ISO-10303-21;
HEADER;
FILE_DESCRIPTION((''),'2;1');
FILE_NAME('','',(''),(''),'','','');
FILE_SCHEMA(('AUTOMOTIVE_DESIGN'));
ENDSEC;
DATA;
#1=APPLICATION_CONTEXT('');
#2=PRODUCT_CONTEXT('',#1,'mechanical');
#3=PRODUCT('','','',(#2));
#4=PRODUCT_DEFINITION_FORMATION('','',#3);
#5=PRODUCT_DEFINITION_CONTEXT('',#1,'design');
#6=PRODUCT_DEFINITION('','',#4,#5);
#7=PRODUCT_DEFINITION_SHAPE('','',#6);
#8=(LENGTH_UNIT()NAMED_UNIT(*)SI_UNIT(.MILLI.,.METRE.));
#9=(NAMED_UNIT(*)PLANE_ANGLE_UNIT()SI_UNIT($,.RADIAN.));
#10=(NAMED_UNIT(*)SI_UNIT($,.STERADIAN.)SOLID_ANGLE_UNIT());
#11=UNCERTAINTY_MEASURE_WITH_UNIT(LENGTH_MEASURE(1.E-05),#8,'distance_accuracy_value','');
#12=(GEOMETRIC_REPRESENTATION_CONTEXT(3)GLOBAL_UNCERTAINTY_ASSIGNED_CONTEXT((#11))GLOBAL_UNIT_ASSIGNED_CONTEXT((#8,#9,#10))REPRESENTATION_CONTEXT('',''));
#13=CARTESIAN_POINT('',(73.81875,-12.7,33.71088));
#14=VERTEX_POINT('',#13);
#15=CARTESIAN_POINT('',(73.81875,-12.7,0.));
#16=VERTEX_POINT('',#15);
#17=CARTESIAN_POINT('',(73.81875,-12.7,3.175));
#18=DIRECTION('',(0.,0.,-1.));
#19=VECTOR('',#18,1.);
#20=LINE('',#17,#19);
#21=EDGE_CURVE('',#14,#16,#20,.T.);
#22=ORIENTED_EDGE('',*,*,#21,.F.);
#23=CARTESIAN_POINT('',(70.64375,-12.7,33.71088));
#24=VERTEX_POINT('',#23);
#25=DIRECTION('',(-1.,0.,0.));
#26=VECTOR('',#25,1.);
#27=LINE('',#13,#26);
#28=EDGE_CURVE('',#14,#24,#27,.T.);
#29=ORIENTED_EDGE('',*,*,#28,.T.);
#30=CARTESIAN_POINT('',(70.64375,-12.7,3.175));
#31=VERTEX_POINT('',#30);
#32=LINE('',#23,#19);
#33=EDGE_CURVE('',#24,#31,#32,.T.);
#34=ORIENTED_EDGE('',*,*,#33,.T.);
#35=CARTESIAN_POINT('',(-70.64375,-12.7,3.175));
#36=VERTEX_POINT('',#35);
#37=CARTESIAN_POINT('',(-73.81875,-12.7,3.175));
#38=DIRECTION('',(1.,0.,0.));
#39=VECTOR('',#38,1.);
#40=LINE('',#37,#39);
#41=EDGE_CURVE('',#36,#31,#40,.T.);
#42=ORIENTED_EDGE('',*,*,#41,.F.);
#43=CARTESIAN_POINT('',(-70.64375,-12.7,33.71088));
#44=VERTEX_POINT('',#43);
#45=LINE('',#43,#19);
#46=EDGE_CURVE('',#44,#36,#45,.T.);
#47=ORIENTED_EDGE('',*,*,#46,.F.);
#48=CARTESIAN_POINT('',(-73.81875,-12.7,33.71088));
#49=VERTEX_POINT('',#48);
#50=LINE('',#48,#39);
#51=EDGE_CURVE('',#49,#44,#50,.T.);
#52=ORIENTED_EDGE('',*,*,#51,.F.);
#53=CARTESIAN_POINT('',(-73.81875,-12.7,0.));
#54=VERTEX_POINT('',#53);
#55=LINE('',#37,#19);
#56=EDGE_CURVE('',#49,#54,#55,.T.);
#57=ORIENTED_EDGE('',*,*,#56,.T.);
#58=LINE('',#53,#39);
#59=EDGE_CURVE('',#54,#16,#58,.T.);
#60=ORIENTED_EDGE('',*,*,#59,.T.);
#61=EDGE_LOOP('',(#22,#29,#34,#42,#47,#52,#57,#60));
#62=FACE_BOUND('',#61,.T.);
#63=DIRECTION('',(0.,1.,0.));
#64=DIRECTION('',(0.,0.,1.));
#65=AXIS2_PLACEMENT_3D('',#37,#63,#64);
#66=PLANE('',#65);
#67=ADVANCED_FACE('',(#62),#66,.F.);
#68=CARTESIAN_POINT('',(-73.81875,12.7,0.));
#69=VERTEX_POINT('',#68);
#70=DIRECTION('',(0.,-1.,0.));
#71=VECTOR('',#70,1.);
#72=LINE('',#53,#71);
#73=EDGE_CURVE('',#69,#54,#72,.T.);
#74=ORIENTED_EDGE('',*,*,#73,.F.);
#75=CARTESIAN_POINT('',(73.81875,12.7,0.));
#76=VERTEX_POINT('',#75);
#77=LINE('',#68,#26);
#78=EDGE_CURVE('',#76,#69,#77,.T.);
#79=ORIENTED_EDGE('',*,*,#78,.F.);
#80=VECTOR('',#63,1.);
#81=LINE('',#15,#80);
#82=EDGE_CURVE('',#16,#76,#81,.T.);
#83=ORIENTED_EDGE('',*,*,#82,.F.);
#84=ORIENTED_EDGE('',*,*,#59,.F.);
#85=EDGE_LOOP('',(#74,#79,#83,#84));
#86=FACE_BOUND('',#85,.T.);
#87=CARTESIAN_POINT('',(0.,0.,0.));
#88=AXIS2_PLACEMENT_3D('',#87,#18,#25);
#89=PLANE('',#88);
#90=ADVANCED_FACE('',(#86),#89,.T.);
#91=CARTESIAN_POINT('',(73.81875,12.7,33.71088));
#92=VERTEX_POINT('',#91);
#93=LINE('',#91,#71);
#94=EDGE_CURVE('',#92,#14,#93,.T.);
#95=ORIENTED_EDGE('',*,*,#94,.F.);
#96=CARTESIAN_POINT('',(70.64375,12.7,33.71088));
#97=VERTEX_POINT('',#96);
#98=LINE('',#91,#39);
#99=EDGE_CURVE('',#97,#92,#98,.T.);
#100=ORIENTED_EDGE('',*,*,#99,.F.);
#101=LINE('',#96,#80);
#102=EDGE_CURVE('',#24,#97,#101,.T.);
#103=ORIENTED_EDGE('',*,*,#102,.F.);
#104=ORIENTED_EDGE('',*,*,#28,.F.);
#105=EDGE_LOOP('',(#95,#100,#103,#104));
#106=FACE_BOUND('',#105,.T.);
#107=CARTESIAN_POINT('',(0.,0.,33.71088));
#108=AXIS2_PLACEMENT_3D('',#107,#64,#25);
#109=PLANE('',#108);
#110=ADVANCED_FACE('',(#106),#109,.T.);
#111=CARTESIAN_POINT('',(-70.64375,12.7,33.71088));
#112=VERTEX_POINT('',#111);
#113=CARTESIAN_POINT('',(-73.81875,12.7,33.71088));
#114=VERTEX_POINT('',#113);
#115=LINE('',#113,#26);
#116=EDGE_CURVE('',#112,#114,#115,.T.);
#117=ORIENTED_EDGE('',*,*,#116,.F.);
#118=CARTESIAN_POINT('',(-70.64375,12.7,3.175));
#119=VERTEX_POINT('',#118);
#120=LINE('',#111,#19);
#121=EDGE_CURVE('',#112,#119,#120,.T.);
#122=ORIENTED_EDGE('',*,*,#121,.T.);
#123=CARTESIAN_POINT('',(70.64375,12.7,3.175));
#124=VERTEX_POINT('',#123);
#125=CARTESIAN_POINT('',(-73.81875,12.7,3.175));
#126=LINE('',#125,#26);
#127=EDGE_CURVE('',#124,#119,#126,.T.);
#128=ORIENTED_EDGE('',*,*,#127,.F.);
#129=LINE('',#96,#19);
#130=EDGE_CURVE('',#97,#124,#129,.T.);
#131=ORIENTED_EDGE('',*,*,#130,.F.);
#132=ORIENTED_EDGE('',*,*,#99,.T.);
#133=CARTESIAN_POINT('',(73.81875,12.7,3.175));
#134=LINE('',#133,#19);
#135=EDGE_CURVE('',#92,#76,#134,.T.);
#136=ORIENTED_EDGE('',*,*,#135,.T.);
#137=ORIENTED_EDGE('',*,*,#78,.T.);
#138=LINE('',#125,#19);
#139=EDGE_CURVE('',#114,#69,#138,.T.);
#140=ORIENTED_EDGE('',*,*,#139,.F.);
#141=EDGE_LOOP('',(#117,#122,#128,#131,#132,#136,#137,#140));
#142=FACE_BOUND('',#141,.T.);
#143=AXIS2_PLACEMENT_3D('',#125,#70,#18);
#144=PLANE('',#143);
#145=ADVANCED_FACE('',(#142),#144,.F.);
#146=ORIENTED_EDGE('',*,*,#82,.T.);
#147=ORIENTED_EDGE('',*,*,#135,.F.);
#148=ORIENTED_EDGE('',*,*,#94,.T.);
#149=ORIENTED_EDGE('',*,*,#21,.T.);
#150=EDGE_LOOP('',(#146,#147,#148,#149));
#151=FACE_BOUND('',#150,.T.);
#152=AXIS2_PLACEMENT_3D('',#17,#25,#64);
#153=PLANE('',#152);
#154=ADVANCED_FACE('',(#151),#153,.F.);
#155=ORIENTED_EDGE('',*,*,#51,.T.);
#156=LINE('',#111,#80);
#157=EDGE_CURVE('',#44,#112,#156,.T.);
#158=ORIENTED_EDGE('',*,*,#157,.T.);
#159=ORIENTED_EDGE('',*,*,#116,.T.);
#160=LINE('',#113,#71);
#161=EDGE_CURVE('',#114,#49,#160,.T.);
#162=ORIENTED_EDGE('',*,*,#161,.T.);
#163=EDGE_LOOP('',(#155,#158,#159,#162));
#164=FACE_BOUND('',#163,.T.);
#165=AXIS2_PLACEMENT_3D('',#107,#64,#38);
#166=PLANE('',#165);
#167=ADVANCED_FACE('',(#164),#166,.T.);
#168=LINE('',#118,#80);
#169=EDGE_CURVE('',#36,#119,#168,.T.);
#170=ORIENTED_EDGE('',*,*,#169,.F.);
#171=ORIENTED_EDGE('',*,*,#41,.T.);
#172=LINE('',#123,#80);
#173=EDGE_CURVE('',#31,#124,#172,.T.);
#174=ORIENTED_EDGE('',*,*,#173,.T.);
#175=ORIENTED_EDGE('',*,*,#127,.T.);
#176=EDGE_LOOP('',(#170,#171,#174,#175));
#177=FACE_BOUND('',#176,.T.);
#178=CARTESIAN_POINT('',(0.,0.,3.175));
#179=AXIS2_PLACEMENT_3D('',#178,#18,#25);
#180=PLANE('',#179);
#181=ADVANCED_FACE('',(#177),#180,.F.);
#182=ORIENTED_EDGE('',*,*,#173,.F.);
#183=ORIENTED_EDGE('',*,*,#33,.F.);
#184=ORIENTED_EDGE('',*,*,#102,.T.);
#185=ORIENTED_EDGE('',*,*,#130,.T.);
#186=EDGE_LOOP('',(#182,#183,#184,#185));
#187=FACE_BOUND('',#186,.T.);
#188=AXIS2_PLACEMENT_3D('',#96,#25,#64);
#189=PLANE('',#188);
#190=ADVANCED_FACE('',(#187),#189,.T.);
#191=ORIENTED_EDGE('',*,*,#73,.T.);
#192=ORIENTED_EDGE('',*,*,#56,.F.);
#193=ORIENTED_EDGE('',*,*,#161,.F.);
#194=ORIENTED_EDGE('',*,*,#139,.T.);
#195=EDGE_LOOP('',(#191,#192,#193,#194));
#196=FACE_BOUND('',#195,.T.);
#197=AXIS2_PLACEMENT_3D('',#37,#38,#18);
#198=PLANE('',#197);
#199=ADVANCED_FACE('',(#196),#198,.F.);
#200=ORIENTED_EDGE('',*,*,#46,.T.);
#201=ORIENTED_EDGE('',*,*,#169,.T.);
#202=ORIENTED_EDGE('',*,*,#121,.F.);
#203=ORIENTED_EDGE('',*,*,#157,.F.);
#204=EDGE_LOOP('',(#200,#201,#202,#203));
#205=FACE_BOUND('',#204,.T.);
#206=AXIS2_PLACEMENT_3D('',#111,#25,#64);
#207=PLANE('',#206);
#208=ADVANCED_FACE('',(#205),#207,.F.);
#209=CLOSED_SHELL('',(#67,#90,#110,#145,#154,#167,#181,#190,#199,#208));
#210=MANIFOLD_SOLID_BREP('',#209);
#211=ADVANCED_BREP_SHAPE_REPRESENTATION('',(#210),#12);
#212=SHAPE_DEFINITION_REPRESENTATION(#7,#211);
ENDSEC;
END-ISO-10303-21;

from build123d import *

# Parameters (mm, degrees)
SKETCH1_W           = 147.6375
SKETCH1_H           = 25.4
BOSS_EXTRUDE1_DEPTH = 3.175
SKETCH2_W           = 3.175
SKETCH2_H           = 25.4
BOSS_EXTRUDE2_DEPTH = 30.53588


with BuildPart() as part:
    # Sketch1 → Boss-Extrude1 (new body)
    with BuildSketch(Plane.XY):
        Rectangle(SKETCH1_W, SKETCH1_H)
    extrude(amount=BOSS_EXTRUDE1_DEPTH)

    # Sketch2 → Boss-Extrude2 (add)
    with BuildSketch(Plane.XY.offset(3.175)):
        with Locations((-72.23125, 0)):
            Rectangle(SKETCH2_W, SKETCH2_H)
    boss_extrude2 = extrude(amount=BOSS_EXTRUDE2_DEPTH)

    # Mirror1: Boss-Extrude2 across plane
    add(boss_extrude2.mirror(Plane(origin=(0, 0, 0), x_dir=(0, 0, 1), z_dir=(1, 0, 0))))


solid = part.part
